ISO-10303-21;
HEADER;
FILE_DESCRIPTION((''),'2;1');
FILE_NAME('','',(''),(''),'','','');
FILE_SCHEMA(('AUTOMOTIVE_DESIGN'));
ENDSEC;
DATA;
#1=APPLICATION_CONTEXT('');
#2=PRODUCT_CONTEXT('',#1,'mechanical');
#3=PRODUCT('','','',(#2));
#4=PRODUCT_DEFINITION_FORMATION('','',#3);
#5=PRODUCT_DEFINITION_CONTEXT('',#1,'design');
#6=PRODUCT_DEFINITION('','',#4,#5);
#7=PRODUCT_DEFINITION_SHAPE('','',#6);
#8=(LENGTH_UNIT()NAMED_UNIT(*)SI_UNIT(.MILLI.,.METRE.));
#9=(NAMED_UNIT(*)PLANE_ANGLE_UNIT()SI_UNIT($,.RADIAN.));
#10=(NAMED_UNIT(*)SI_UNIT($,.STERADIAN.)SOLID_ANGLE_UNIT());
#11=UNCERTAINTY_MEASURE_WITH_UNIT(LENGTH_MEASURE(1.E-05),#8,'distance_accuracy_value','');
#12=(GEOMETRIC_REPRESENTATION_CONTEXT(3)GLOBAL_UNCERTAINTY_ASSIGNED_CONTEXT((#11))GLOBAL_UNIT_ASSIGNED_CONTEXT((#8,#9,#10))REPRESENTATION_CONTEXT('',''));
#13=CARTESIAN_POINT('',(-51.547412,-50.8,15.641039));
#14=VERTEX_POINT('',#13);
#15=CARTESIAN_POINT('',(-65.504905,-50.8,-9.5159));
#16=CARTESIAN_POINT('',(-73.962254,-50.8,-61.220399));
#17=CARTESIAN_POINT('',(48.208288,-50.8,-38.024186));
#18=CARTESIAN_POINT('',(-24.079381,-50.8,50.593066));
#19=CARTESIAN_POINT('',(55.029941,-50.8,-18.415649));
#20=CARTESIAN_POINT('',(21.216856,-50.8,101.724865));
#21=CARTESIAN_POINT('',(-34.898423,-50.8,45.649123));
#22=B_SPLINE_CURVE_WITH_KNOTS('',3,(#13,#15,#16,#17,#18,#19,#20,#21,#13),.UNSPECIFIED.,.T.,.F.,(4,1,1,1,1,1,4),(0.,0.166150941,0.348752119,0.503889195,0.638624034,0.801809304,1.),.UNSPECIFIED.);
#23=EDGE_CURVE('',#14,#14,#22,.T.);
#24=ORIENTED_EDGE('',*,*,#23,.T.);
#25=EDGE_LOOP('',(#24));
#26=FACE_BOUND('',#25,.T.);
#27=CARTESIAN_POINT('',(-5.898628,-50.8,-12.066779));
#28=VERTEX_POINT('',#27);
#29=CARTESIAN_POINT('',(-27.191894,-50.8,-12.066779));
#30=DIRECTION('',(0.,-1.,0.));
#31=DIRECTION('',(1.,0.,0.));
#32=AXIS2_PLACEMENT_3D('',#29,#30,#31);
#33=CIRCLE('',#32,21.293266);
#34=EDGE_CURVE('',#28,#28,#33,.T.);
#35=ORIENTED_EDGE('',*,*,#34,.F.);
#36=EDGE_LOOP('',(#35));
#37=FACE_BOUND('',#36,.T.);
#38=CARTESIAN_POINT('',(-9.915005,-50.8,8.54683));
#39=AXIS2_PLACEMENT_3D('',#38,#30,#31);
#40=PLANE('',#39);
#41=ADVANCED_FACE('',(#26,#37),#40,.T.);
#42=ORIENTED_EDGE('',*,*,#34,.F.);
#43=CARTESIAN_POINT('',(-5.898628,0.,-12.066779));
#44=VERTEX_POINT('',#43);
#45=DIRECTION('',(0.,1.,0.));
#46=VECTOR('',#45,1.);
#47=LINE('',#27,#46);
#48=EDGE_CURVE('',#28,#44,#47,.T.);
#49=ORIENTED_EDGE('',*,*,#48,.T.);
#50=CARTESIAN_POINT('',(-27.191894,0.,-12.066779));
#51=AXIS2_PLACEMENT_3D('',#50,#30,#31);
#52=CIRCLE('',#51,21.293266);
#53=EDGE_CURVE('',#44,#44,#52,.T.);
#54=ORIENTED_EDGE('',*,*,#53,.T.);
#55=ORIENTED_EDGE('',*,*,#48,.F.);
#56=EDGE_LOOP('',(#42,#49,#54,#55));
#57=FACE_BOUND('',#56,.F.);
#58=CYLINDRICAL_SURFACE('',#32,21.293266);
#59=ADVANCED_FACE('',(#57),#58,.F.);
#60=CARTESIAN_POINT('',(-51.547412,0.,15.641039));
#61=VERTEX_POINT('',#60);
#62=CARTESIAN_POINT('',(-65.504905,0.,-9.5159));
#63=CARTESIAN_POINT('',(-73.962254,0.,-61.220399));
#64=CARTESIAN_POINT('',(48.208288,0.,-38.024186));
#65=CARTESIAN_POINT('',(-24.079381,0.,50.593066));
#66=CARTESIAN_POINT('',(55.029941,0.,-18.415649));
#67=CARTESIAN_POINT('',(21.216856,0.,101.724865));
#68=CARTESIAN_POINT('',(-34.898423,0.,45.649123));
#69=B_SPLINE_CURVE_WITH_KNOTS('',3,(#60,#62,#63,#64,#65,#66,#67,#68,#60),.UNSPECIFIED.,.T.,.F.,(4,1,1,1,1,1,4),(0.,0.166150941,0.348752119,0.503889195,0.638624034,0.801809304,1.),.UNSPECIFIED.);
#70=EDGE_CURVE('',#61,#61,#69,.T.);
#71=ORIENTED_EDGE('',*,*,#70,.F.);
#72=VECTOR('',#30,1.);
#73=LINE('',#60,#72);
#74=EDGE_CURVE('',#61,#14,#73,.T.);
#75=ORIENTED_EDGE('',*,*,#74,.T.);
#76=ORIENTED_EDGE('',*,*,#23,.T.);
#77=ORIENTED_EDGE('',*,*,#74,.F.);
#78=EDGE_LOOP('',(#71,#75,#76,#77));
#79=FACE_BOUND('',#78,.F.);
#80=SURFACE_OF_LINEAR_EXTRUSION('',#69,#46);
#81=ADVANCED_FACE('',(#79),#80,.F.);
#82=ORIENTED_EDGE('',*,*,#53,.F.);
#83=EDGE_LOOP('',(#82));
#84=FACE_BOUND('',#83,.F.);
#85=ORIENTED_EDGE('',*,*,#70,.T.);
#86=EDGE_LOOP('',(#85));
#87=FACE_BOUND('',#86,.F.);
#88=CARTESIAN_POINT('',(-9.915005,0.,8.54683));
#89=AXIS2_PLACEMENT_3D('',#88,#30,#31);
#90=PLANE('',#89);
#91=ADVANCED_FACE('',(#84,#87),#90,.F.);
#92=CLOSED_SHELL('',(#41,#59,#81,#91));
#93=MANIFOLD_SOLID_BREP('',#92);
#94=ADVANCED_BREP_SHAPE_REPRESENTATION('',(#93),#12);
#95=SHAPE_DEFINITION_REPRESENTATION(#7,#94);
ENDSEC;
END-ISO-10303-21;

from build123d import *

# Parameters (mm, degrees)
F1_DEPTH = 50.8
F2_R     = 21.2932659317
F3_DEPTH = 50.8010001


with BuildPart() as f1:
    # F0 (on Front) → F1 (new body)
    with BuildSketch(Plane.XZ):
        with BuildLine():
            add(Edge.make_bspline(
                [(-51.5474118292, 15.6410392374), (-65.504904608, -9.5159000694), (-73.9622543943, -61.2203994729), (48.2082876269, -38.0241858018), (-24.0793810112, 50.5930663902), (55.0299405607, -18.4156494046), (21.2168560737, 101.7248654083), (-34.8984226809, 45.6491227925), (-51.5474118292, 15.6410392374)],
                knots=[0, 0, 0, 0, 0.1661509409, 0.3487521193, 0.5038891945, 0.6386240338, 0.8018093038, 1, 1, 1, 1], degree=3))
        make_face()
    extrude(amount=F1_DEPTH)

    # F2 (on face) → F3 (cut, through all)
    with BuildSketch(Plane.XZ.offset(50.8)):
        with Locations((-27.1918941289, -12.0667787269)):
            Circle(F2_R)
    extrude(amount=-F3_DEPTH, mode=Mode.SUBTRACT)


solid = f1.part
